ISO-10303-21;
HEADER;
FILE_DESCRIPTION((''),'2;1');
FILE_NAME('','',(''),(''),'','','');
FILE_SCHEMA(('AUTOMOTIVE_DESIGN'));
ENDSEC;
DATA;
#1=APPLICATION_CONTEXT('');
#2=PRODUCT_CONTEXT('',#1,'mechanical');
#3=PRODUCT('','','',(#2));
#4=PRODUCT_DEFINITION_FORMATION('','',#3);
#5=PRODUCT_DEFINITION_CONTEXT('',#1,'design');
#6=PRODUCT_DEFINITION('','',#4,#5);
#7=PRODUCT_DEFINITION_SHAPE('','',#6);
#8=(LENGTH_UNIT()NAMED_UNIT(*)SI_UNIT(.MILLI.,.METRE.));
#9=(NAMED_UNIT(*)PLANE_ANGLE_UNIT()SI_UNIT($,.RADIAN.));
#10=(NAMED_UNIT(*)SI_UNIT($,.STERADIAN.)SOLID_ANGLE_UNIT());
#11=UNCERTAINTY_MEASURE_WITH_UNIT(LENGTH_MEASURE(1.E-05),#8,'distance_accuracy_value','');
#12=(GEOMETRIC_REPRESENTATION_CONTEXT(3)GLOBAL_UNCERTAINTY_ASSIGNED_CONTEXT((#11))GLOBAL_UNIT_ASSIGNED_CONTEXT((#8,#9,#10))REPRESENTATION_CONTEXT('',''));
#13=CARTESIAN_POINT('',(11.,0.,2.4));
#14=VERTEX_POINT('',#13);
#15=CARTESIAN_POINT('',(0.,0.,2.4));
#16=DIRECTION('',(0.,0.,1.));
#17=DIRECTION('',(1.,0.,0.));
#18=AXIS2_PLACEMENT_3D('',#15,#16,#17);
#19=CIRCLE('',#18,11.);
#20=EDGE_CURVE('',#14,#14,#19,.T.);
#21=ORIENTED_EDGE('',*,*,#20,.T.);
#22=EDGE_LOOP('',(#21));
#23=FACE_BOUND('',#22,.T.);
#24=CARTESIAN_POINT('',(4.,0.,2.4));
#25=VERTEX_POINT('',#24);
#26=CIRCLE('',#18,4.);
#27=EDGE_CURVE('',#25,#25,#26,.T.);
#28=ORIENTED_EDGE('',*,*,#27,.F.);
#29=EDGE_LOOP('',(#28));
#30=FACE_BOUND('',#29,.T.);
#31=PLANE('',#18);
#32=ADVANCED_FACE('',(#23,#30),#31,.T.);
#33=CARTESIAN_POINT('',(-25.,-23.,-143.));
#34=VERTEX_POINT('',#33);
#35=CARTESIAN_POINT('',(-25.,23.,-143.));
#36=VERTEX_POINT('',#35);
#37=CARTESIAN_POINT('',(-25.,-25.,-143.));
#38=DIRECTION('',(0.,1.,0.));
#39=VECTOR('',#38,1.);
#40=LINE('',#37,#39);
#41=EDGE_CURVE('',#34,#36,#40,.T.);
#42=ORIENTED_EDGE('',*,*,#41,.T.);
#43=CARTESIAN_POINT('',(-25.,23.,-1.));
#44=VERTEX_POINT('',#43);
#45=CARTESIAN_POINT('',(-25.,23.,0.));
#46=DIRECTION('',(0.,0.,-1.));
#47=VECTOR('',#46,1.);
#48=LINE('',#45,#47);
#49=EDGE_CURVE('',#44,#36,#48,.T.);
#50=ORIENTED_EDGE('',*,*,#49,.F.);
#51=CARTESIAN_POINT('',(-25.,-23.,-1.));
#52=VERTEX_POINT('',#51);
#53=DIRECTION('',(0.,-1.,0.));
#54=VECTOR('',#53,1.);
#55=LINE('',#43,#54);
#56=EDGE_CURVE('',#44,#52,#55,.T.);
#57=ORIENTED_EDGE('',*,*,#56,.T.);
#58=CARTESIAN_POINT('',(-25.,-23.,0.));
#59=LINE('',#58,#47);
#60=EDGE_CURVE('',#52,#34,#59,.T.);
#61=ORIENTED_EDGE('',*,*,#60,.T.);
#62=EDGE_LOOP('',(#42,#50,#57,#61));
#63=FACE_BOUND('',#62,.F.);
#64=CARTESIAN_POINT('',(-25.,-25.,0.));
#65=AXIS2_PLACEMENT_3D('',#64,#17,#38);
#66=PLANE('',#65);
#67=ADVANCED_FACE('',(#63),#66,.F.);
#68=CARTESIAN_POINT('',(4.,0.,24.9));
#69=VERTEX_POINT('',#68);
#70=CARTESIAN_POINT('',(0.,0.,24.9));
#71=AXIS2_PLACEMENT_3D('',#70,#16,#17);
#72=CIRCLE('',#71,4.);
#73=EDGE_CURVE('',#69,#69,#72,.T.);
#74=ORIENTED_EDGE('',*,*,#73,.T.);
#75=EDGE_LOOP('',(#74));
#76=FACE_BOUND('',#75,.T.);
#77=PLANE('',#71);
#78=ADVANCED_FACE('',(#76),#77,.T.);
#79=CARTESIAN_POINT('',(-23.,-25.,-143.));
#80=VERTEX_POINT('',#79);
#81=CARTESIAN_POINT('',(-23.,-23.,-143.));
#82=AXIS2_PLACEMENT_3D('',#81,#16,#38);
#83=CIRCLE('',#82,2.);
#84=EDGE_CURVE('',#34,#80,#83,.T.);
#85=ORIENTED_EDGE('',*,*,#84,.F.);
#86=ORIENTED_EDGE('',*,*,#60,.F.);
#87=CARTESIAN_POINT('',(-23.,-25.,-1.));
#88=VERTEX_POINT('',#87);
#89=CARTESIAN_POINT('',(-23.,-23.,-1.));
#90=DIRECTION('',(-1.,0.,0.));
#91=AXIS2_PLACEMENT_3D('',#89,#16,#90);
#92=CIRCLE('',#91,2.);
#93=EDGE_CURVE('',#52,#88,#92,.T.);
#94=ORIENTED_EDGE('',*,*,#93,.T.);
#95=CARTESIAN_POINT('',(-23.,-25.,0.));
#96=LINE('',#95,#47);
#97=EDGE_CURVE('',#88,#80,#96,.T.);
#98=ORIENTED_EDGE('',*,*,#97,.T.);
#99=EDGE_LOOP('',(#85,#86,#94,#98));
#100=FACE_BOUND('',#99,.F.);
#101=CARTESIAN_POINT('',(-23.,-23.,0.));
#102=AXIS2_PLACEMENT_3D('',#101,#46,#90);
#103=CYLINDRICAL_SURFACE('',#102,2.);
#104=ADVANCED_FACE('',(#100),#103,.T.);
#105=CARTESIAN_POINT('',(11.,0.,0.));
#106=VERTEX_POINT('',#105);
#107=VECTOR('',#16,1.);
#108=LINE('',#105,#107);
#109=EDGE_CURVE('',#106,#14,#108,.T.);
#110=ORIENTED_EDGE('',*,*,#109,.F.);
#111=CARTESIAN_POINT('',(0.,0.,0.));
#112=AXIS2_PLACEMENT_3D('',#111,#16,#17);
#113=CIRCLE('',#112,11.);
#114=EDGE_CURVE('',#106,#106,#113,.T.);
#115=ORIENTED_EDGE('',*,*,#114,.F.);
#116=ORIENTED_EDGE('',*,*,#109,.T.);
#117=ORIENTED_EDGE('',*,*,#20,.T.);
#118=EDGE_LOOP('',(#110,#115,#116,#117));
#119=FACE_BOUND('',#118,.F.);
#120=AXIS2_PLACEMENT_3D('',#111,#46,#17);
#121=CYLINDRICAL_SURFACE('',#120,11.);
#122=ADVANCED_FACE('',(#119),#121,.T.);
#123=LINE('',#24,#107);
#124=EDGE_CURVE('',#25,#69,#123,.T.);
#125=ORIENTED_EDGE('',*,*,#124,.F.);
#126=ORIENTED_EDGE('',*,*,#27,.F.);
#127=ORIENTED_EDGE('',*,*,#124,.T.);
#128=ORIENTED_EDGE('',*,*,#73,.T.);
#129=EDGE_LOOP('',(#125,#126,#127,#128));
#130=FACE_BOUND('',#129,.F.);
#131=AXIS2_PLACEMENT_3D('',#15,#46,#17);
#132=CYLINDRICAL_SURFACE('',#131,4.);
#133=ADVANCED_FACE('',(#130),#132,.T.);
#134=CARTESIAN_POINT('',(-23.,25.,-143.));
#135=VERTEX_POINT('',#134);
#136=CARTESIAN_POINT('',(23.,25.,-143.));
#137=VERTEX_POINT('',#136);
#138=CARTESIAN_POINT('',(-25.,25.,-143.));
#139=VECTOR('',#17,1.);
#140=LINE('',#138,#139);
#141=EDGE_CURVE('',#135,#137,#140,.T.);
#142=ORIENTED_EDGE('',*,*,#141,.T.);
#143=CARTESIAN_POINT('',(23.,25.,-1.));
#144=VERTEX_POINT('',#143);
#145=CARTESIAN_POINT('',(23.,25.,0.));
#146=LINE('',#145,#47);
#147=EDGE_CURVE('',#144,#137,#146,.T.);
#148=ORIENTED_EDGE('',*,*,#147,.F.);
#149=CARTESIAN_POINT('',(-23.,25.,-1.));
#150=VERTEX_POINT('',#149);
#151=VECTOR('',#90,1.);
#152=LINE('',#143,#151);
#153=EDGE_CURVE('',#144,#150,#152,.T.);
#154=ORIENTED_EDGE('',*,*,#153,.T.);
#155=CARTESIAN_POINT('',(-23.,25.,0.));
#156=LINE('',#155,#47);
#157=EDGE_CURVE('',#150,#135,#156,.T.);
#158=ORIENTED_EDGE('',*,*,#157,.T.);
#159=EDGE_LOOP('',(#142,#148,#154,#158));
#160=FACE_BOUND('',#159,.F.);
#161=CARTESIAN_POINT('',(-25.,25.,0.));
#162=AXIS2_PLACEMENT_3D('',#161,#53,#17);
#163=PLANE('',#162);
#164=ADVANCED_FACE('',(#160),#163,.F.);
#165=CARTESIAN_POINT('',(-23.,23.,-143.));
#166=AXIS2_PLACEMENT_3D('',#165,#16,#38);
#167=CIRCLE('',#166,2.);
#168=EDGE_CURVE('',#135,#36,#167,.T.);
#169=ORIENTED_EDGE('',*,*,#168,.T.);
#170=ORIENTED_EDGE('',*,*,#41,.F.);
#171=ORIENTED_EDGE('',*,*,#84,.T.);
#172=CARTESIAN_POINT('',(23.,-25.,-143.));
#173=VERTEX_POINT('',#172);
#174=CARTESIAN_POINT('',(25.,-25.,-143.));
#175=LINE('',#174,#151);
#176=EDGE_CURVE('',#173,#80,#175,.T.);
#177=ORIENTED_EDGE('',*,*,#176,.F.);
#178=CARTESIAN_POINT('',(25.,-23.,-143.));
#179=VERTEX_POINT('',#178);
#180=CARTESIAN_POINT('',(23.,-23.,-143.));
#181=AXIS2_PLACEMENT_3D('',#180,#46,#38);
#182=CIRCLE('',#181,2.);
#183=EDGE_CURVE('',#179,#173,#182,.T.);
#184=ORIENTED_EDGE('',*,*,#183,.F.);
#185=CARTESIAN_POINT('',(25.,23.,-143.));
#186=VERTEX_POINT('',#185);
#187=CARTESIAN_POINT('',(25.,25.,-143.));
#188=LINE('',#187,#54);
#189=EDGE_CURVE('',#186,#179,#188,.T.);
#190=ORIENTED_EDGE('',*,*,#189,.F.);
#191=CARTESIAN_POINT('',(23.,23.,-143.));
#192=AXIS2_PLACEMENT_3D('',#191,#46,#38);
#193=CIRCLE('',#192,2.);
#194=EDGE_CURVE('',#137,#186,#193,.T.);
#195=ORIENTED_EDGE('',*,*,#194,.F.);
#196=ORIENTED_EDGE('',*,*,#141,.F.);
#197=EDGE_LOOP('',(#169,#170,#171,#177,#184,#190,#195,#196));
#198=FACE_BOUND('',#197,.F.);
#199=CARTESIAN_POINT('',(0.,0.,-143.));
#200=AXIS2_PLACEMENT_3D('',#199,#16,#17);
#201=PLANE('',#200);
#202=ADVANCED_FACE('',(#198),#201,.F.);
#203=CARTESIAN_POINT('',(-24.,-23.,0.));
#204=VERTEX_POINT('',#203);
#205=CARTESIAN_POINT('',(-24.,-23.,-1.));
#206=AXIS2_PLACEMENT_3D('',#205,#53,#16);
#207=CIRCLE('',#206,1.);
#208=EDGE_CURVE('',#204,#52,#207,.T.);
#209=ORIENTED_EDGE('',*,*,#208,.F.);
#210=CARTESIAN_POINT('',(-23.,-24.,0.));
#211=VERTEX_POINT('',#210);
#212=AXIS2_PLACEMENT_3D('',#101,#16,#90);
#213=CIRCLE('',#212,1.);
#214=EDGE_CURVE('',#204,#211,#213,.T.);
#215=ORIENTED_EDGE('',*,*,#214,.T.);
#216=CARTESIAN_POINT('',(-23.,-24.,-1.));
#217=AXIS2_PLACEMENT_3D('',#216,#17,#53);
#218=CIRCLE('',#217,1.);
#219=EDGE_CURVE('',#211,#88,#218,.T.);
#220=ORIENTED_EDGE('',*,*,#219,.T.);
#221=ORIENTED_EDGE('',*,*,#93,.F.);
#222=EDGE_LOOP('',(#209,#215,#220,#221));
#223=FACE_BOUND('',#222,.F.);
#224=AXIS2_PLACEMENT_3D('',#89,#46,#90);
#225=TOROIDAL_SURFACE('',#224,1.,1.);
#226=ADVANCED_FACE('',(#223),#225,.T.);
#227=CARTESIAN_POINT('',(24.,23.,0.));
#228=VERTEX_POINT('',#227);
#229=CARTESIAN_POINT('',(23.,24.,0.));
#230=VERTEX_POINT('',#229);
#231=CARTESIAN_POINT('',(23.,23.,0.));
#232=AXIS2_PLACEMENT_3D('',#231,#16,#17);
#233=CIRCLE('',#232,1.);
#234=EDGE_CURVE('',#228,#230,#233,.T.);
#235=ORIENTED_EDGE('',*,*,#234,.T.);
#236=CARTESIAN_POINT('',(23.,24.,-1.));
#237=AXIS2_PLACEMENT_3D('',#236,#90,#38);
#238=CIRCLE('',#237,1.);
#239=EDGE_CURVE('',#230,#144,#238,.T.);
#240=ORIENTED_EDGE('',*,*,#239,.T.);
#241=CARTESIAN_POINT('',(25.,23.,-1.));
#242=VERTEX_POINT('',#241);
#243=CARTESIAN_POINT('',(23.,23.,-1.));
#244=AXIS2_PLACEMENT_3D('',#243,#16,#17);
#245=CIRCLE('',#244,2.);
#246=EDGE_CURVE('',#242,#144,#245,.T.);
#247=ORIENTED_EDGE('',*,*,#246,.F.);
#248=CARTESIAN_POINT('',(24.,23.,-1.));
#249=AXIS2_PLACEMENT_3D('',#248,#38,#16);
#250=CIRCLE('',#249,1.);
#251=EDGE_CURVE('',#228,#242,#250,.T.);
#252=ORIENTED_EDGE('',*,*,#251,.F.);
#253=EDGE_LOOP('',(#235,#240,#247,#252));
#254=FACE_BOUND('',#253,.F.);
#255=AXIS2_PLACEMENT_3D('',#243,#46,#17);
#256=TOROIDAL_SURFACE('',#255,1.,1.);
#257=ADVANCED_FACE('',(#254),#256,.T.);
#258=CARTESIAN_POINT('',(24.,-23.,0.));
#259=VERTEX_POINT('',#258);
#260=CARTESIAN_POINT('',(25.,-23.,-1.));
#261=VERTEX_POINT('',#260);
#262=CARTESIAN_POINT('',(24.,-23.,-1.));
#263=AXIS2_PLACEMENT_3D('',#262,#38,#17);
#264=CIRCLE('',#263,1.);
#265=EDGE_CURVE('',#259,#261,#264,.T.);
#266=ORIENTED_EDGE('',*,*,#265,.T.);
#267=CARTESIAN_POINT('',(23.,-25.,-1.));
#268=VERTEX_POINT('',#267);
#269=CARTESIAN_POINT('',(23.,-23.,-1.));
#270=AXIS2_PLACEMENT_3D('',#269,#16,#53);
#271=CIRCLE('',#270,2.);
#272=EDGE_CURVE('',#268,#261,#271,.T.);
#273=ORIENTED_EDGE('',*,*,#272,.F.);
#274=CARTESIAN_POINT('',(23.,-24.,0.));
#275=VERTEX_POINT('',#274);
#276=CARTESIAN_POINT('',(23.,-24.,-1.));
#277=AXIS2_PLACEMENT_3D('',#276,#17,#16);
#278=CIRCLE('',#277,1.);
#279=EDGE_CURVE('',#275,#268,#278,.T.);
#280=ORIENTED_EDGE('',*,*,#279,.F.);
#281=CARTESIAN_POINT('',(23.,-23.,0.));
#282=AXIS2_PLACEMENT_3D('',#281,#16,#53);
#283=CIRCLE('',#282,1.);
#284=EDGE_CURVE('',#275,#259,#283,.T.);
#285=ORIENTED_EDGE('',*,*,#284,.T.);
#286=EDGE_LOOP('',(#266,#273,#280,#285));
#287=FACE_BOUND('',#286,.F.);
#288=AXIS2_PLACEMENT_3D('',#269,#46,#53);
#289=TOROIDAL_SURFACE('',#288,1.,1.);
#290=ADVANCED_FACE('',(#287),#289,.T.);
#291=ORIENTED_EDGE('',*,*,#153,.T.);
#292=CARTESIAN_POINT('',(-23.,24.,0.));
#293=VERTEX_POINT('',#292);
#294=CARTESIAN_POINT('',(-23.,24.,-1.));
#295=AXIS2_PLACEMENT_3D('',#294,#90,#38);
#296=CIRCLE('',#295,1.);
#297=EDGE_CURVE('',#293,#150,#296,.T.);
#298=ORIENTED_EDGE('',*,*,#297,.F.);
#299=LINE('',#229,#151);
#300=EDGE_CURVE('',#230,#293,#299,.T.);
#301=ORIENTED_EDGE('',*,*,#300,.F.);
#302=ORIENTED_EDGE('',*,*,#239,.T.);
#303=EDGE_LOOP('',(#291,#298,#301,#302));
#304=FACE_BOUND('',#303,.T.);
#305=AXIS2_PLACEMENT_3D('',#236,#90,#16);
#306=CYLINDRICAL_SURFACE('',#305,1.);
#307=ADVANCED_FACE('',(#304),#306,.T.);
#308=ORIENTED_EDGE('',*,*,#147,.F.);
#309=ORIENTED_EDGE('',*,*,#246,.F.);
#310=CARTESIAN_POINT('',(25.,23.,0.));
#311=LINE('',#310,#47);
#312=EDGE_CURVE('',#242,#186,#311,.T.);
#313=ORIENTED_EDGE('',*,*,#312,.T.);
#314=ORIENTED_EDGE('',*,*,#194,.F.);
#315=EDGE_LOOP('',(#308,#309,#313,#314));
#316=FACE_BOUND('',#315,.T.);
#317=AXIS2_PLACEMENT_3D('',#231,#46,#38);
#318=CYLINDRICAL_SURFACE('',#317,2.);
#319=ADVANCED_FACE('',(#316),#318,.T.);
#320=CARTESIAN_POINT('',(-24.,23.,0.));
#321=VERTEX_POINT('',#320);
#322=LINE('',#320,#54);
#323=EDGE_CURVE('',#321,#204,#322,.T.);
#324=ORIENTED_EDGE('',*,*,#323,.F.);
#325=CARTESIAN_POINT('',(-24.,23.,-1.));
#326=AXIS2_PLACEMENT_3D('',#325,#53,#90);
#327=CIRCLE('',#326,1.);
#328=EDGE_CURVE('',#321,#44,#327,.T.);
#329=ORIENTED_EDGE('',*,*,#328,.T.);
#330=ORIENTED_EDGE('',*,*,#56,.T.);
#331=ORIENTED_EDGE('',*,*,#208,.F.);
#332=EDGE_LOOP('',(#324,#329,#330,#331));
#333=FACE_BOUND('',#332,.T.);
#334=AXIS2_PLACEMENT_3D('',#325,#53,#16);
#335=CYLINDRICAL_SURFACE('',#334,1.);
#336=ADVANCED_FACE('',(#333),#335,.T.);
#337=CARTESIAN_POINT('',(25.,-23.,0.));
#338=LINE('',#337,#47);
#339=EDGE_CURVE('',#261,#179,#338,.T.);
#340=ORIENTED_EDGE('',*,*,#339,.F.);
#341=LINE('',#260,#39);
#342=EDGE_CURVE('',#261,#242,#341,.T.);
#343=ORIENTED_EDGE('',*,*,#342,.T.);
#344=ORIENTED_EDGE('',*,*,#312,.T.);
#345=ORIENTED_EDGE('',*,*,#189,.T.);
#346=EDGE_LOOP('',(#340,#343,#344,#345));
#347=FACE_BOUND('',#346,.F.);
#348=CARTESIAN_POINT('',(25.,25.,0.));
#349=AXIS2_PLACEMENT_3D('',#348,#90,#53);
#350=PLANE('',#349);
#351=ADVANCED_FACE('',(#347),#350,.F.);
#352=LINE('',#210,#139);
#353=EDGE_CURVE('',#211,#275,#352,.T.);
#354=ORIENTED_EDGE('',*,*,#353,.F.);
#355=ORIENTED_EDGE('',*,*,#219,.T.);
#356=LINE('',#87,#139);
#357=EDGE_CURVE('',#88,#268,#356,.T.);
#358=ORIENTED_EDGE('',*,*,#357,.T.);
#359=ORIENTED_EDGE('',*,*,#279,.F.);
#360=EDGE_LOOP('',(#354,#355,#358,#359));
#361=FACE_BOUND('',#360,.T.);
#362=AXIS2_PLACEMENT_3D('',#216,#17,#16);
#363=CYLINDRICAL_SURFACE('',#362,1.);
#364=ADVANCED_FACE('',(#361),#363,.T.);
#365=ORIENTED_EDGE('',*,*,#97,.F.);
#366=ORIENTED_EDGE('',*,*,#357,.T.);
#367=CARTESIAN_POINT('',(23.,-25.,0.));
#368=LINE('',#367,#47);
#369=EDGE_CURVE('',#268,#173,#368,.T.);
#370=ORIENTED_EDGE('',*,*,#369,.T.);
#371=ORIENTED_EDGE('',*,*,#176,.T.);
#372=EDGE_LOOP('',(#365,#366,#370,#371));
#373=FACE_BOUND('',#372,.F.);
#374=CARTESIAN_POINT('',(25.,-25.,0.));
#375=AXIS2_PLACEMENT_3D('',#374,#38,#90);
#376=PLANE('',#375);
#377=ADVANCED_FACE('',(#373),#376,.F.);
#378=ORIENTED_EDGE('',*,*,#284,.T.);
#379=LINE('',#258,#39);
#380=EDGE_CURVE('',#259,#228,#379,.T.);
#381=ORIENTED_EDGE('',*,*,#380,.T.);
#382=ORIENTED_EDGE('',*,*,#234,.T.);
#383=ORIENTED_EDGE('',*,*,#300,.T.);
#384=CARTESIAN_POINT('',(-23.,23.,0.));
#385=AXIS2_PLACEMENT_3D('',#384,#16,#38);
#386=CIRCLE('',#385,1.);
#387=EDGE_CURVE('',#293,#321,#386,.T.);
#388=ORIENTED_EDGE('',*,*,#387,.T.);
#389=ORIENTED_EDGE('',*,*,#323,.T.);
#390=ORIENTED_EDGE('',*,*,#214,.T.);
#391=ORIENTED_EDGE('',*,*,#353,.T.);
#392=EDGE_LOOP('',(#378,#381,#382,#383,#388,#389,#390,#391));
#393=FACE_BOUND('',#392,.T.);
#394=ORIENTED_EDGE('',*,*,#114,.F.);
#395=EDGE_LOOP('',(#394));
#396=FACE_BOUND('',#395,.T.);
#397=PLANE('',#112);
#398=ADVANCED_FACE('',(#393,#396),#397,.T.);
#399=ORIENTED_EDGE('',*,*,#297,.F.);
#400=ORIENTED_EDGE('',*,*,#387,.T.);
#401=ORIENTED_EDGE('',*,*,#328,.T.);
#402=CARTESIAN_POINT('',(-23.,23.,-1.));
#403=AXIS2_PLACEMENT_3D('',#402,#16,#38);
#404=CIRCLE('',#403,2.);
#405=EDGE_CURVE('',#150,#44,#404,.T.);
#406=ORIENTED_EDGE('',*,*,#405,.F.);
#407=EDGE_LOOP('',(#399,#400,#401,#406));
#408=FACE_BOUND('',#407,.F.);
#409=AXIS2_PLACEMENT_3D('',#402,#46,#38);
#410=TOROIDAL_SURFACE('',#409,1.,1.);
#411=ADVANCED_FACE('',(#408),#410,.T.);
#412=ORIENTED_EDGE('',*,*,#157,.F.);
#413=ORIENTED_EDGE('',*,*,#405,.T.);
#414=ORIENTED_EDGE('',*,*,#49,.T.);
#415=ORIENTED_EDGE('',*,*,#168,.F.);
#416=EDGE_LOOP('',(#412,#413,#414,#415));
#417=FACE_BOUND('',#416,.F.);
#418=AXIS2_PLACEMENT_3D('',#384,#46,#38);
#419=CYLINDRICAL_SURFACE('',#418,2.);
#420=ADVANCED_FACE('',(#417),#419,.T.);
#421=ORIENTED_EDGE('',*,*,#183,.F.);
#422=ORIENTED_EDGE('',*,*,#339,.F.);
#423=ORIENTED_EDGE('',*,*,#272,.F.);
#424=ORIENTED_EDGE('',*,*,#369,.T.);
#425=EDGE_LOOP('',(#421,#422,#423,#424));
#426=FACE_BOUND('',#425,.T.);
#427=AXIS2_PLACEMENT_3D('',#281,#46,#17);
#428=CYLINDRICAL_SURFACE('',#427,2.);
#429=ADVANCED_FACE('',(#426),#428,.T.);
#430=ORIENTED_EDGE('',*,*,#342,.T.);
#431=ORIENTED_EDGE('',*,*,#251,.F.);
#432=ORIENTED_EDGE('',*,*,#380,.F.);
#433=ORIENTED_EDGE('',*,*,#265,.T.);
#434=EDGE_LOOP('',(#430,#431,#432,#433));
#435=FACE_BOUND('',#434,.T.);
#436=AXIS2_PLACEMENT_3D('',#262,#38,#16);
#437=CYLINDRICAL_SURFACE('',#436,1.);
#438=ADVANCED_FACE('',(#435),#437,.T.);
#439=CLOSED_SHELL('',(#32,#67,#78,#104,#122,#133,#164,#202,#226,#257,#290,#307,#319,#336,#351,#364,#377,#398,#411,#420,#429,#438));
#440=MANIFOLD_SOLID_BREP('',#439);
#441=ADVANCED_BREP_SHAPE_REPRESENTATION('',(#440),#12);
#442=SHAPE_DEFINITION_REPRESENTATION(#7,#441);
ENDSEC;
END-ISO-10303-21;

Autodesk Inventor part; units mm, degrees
ref_plane "YZ Plane" through (0, 0, 0) normal (1, 0, 0) x (0, 1, 0)
ref_plane "XZ Plane" through (0, 0, 0) normal (0, 1, 0) x (-1, 0, 0)
ref_plane "XY Plane" through (0, 0, 0) normal (0, 0, 1) x (1, 0, 0)
sketch "Sketch1" plane through (0, 0, 0) normal (0, 0, 1) x (1, 0, 0)
  line L0 (-25, 25) -> (25, 25)
  line L1 (25, 25) -> (25, -25)
  line L2 (25, -25) -> (-25, -25)
  line L3 (-25, -25) -> (-25, 25)
  point P0 (0, 0)
  dimension "d0" = 50
  dimension "d1" = 50
  dimension "d2" = 25
  dimension "d3" = 25
extrude "Extrusion1" add sketch "Sketch1" against normal blind 143
sketch "Sketch2" plane through (0, 0, 0) normal (0, 0, 1) x (1, 0, 0)
  circle A0 centre (0, 0) radius 11
  dimension "d7" = 22
extrude "Extrusion2" add sketch "Sketch2" along normal blind 2.4
sketch "Sketch3" plane through (0, 0, 2.4) normal (0, 0, 1) x (1, 0, 0)
  circle A0 centre (0, 0) radius 4
  dimension "d10" = 8
extrude "Extrusion3" add sketch "Sketch3" along normal blind 22.5
fillet "Fillet1" radius 2 4 edges at (-25, 25, -71.5) (25, 25, -71.5) (25, -25, -71.5) (-25, -25, -71.5)
fillet "Fillet2" radius 1 8 edges at (-24.4142, 24.4142, 0) (-25, 0, 0) (-24.4142, -24.4142, 0) (0, -25, 0) (24.4142, -24.4142, 0) (25, 0, 0) (24.4142, 24.4142, 0) (0, 25, 0)
properties part number "Electric Motor"
